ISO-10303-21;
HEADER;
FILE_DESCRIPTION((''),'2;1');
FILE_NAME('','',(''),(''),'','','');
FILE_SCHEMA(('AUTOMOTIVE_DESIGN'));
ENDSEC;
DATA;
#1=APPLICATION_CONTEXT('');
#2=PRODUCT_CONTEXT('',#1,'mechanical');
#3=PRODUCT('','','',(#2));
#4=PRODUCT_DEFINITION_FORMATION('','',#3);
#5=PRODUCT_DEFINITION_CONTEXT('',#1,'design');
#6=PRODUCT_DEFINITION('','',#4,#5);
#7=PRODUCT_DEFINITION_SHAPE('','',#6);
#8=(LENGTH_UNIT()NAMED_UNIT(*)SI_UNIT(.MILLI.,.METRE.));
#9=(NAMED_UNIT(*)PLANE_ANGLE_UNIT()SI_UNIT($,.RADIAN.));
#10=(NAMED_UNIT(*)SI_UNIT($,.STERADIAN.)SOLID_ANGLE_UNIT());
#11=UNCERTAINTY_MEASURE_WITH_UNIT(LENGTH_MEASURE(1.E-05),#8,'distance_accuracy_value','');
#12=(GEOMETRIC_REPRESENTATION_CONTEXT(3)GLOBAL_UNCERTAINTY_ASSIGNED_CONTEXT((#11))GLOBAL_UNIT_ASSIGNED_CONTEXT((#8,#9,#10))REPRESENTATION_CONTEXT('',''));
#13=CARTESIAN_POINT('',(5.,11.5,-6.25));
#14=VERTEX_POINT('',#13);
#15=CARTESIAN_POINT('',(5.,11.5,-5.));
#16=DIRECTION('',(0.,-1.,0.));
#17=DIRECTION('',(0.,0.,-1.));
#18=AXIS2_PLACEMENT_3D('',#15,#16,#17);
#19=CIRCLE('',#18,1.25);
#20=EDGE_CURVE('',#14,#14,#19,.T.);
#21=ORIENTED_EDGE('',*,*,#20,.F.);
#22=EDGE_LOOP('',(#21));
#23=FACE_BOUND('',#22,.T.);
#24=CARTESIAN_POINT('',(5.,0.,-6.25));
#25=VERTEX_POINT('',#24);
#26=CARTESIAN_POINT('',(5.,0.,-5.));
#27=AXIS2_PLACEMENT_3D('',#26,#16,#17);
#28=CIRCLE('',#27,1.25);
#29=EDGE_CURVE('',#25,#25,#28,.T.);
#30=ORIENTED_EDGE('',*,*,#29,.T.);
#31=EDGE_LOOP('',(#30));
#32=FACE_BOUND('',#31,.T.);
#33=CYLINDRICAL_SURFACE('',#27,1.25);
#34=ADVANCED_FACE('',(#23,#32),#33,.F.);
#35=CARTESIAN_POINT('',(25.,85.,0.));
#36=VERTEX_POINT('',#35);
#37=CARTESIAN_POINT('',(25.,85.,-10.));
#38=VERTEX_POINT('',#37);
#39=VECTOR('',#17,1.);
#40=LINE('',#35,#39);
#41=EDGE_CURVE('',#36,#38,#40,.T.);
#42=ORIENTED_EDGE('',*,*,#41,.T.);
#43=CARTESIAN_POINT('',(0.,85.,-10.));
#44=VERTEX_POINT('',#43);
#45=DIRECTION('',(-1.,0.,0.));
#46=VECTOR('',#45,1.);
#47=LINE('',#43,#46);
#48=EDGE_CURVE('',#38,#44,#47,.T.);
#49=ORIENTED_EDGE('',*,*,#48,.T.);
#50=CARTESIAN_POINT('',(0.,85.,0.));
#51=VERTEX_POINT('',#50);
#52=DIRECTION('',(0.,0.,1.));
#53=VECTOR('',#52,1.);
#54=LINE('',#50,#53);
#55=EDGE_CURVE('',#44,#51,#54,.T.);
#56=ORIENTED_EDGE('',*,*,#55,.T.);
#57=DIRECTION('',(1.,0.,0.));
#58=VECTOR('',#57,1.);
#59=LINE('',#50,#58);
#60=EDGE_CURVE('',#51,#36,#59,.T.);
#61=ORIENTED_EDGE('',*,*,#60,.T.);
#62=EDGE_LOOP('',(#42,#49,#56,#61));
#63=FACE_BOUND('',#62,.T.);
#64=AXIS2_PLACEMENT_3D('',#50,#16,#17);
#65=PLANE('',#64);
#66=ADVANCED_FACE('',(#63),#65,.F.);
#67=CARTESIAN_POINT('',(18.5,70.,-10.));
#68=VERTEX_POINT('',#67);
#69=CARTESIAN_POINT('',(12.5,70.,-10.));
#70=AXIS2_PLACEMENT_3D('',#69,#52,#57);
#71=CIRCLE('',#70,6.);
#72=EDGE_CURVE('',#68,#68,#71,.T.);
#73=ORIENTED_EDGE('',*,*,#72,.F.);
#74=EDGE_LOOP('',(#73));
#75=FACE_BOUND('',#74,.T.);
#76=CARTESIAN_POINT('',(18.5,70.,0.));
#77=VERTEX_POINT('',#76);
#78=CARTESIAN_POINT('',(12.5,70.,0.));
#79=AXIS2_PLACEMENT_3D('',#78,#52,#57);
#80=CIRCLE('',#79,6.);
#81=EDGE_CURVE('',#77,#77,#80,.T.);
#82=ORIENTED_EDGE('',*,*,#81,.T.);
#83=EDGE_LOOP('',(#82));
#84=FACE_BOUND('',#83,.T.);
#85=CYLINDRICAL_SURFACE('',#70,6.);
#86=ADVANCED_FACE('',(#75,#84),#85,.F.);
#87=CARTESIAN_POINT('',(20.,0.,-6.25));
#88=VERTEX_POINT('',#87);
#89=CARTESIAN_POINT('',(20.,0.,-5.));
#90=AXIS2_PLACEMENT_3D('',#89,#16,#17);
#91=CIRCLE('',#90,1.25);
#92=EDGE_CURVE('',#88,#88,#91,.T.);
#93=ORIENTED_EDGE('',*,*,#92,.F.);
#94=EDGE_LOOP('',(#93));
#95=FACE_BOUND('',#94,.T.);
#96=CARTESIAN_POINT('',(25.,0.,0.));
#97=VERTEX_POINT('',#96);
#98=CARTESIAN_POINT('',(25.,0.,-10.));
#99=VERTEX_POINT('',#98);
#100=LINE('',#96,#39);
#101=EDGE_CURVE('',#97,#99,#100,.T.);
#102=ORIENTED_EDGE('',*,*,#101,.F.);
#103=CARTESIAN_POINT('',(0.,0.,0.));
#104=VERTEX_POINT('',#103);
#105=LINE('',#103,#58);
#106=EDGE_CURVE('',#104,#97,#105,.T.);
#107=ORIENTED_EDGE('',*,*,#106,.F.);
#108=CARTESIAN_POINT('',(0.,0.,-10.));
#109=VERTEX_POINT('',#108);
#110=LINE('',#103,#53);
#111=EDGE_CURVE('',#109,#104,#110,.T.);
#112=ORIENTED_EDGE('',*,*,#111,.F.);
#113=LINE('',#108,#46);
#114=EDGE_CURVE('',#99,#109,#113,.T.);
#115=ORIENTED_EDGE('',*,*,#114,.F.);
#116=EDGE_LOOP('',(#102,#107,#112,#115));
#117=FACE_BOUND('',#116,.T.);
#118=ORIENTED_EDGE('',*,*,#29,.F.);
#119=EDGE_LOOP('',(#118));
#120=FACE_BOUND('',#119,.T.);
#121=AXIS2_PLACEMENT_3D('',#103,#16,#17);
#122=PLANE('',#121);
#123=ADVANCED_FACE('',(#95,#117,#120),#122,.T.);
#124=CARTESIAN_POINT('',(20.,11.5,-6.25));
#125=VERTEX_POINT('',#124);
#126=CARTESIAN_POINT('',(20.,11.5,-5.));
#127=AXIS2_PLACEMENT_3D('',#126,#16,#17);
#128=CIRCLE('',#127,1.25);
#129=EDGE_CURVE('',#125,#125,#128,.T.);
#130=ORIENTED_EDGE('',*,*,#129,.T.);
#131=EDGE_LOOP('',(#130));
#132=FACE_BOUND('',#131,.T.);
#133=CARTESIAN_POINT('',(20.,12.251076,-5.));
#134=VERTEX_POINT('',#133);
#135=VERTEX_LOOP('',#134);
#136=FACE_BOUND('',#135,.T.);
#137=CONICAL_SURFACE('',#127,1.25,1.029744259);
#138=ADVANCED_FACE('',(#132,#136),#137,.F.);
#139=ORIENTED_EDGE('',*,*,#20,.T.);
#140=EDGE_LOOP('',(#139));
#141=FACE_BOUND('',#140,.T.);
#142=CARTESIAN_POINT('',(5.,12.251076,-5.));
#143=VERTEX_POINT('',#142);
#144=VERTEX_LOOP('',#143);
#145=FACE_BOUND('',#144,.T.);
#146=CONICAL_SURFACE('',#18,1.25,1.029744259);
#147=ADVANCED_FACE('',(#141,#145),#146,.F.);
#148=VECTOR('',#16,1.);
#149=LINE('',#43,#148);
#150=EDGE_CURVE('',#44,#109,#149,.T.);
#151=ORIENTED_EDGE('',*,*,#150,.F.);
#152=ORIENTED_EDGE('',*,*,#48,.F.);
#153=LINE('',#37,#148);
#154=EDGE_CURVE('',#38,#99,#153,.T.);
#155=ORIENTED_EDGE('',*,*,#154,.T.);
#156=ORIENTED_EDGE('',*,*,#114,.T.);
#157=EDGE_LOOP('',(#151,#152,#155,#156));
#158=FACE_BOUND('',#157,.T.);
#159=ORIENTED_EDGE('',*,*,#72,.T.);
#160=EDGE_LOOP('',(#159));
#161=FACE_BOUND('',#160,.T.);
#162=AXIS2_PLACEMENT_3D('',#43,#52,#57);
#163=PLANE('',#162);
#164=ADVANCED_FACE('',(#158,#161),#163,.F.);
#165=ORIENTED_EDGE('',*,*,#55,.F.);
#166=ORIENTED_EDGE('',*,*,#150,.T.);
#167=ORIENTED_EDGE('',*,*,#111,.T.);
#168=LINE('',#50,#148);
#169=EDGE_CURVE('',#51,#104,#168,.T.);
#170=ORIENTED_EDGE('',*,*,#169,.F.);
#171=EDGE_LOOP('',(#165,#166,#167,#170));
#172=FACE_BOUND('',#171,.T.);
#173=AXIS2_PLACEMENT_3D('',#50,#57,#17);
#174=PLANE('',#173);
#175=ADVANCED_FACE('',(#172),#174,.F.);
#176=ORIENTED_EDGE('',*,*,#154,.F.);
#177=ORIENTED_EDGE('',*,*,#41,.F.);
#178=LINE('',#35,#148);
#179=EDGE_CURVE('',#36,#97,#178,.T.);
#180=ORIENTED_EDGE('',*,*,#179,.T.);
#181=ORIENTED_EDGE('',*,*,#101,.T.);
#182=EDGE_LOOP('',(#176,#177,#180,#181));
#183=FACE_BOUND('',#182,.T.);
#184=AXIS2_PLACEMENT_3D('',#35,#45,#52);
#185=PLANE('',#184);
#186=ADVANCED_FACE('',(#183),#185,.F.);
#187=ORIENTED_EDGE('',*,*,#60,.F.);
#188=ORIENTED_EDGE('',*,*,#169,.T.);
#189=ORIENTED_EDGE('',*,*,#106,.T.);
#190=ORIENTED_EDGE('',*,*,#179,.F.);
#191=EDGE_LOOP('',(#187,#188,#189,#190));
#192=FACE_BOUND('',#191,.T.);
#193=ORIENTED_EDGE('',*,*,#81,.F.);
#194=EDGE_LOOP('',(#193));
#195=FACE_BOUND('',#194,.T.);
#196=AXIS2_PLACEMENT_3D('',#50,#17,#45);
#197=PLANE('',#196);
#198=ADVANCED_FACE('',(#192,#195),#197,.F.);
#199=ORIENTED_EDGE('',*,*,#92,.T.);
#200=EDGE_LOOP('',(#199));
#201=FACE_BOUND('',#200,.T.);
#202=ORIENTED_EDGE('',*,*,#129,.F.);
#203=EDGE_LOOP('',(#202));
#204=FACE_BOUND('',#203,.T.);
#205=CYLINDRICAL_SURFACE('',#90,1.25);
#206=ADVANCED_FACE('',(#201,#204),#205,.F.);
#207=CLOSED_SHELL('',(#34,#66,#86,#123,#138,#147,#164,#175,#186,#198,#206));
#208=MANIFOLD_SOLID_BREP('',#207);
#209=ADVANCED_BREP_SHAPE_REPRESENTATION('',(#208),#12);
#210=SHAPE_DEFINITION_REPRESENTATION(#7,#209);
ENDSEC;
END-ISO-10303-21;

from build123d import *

# Parameters (mm, degrees)
SKETCH_1_W          = 25
SKETCH_1_H          = 10
EXTRUDE_1_DEPTH     = 85
SKETCH_2_R          = 6
CUT_EXTRUDE_1_DEPTH = 90.162772501
M3X0_5_1_D          = 2.5
M3X0_5_1_DEPTH      = 11.5
M3X0_5_1_TIP        = 0.751075774


with BuildPart() as part:
    # ｽｹｯﾁ1 → ﾎﾞｽ - 押し出し1 (new body)
    with BuildSketch(Plane(origin=(0, 0, 0), x_dir=(1, 0, 0), z_dir=(0, 1, 0))):
        with Locations((12.5, 5)):
            Rectangle(SKETCH_1_W, SKETCH_1_H)
    extrude(amount=EXTRUDE_1_DEPTH)

    # ｽｹｯﾁ2 → ｶｯﾄ - 押し出し1 (cut, through all)
    with BuildSketch(Plane.XY):
        with Locations((12.5, 70)):
            Circle(SKETCH_2_R)
    extrude(amount=-CUT_EXTRUDE_1_DEPTH, mode=Mode.SUBTRACT)

    # M3x0.5 ねじ穴1
    with Locations(Plane.XZ):
        with Locations((20, -5), (5, -5)):
            Hole(M3X0_5_1_D / 2, depth=M3X0_5_1_DEPTH)
            with Locations((0, 0, -(M3X0_5_1_DEPTH + M3X0_5_1_TIP / 2))):  # 118° drill point
                Cone(0, M3X0_5_1_D / 2, M3X0_5_1_TIP, mode=Mode.SUBTRACT)


solid = part.part
